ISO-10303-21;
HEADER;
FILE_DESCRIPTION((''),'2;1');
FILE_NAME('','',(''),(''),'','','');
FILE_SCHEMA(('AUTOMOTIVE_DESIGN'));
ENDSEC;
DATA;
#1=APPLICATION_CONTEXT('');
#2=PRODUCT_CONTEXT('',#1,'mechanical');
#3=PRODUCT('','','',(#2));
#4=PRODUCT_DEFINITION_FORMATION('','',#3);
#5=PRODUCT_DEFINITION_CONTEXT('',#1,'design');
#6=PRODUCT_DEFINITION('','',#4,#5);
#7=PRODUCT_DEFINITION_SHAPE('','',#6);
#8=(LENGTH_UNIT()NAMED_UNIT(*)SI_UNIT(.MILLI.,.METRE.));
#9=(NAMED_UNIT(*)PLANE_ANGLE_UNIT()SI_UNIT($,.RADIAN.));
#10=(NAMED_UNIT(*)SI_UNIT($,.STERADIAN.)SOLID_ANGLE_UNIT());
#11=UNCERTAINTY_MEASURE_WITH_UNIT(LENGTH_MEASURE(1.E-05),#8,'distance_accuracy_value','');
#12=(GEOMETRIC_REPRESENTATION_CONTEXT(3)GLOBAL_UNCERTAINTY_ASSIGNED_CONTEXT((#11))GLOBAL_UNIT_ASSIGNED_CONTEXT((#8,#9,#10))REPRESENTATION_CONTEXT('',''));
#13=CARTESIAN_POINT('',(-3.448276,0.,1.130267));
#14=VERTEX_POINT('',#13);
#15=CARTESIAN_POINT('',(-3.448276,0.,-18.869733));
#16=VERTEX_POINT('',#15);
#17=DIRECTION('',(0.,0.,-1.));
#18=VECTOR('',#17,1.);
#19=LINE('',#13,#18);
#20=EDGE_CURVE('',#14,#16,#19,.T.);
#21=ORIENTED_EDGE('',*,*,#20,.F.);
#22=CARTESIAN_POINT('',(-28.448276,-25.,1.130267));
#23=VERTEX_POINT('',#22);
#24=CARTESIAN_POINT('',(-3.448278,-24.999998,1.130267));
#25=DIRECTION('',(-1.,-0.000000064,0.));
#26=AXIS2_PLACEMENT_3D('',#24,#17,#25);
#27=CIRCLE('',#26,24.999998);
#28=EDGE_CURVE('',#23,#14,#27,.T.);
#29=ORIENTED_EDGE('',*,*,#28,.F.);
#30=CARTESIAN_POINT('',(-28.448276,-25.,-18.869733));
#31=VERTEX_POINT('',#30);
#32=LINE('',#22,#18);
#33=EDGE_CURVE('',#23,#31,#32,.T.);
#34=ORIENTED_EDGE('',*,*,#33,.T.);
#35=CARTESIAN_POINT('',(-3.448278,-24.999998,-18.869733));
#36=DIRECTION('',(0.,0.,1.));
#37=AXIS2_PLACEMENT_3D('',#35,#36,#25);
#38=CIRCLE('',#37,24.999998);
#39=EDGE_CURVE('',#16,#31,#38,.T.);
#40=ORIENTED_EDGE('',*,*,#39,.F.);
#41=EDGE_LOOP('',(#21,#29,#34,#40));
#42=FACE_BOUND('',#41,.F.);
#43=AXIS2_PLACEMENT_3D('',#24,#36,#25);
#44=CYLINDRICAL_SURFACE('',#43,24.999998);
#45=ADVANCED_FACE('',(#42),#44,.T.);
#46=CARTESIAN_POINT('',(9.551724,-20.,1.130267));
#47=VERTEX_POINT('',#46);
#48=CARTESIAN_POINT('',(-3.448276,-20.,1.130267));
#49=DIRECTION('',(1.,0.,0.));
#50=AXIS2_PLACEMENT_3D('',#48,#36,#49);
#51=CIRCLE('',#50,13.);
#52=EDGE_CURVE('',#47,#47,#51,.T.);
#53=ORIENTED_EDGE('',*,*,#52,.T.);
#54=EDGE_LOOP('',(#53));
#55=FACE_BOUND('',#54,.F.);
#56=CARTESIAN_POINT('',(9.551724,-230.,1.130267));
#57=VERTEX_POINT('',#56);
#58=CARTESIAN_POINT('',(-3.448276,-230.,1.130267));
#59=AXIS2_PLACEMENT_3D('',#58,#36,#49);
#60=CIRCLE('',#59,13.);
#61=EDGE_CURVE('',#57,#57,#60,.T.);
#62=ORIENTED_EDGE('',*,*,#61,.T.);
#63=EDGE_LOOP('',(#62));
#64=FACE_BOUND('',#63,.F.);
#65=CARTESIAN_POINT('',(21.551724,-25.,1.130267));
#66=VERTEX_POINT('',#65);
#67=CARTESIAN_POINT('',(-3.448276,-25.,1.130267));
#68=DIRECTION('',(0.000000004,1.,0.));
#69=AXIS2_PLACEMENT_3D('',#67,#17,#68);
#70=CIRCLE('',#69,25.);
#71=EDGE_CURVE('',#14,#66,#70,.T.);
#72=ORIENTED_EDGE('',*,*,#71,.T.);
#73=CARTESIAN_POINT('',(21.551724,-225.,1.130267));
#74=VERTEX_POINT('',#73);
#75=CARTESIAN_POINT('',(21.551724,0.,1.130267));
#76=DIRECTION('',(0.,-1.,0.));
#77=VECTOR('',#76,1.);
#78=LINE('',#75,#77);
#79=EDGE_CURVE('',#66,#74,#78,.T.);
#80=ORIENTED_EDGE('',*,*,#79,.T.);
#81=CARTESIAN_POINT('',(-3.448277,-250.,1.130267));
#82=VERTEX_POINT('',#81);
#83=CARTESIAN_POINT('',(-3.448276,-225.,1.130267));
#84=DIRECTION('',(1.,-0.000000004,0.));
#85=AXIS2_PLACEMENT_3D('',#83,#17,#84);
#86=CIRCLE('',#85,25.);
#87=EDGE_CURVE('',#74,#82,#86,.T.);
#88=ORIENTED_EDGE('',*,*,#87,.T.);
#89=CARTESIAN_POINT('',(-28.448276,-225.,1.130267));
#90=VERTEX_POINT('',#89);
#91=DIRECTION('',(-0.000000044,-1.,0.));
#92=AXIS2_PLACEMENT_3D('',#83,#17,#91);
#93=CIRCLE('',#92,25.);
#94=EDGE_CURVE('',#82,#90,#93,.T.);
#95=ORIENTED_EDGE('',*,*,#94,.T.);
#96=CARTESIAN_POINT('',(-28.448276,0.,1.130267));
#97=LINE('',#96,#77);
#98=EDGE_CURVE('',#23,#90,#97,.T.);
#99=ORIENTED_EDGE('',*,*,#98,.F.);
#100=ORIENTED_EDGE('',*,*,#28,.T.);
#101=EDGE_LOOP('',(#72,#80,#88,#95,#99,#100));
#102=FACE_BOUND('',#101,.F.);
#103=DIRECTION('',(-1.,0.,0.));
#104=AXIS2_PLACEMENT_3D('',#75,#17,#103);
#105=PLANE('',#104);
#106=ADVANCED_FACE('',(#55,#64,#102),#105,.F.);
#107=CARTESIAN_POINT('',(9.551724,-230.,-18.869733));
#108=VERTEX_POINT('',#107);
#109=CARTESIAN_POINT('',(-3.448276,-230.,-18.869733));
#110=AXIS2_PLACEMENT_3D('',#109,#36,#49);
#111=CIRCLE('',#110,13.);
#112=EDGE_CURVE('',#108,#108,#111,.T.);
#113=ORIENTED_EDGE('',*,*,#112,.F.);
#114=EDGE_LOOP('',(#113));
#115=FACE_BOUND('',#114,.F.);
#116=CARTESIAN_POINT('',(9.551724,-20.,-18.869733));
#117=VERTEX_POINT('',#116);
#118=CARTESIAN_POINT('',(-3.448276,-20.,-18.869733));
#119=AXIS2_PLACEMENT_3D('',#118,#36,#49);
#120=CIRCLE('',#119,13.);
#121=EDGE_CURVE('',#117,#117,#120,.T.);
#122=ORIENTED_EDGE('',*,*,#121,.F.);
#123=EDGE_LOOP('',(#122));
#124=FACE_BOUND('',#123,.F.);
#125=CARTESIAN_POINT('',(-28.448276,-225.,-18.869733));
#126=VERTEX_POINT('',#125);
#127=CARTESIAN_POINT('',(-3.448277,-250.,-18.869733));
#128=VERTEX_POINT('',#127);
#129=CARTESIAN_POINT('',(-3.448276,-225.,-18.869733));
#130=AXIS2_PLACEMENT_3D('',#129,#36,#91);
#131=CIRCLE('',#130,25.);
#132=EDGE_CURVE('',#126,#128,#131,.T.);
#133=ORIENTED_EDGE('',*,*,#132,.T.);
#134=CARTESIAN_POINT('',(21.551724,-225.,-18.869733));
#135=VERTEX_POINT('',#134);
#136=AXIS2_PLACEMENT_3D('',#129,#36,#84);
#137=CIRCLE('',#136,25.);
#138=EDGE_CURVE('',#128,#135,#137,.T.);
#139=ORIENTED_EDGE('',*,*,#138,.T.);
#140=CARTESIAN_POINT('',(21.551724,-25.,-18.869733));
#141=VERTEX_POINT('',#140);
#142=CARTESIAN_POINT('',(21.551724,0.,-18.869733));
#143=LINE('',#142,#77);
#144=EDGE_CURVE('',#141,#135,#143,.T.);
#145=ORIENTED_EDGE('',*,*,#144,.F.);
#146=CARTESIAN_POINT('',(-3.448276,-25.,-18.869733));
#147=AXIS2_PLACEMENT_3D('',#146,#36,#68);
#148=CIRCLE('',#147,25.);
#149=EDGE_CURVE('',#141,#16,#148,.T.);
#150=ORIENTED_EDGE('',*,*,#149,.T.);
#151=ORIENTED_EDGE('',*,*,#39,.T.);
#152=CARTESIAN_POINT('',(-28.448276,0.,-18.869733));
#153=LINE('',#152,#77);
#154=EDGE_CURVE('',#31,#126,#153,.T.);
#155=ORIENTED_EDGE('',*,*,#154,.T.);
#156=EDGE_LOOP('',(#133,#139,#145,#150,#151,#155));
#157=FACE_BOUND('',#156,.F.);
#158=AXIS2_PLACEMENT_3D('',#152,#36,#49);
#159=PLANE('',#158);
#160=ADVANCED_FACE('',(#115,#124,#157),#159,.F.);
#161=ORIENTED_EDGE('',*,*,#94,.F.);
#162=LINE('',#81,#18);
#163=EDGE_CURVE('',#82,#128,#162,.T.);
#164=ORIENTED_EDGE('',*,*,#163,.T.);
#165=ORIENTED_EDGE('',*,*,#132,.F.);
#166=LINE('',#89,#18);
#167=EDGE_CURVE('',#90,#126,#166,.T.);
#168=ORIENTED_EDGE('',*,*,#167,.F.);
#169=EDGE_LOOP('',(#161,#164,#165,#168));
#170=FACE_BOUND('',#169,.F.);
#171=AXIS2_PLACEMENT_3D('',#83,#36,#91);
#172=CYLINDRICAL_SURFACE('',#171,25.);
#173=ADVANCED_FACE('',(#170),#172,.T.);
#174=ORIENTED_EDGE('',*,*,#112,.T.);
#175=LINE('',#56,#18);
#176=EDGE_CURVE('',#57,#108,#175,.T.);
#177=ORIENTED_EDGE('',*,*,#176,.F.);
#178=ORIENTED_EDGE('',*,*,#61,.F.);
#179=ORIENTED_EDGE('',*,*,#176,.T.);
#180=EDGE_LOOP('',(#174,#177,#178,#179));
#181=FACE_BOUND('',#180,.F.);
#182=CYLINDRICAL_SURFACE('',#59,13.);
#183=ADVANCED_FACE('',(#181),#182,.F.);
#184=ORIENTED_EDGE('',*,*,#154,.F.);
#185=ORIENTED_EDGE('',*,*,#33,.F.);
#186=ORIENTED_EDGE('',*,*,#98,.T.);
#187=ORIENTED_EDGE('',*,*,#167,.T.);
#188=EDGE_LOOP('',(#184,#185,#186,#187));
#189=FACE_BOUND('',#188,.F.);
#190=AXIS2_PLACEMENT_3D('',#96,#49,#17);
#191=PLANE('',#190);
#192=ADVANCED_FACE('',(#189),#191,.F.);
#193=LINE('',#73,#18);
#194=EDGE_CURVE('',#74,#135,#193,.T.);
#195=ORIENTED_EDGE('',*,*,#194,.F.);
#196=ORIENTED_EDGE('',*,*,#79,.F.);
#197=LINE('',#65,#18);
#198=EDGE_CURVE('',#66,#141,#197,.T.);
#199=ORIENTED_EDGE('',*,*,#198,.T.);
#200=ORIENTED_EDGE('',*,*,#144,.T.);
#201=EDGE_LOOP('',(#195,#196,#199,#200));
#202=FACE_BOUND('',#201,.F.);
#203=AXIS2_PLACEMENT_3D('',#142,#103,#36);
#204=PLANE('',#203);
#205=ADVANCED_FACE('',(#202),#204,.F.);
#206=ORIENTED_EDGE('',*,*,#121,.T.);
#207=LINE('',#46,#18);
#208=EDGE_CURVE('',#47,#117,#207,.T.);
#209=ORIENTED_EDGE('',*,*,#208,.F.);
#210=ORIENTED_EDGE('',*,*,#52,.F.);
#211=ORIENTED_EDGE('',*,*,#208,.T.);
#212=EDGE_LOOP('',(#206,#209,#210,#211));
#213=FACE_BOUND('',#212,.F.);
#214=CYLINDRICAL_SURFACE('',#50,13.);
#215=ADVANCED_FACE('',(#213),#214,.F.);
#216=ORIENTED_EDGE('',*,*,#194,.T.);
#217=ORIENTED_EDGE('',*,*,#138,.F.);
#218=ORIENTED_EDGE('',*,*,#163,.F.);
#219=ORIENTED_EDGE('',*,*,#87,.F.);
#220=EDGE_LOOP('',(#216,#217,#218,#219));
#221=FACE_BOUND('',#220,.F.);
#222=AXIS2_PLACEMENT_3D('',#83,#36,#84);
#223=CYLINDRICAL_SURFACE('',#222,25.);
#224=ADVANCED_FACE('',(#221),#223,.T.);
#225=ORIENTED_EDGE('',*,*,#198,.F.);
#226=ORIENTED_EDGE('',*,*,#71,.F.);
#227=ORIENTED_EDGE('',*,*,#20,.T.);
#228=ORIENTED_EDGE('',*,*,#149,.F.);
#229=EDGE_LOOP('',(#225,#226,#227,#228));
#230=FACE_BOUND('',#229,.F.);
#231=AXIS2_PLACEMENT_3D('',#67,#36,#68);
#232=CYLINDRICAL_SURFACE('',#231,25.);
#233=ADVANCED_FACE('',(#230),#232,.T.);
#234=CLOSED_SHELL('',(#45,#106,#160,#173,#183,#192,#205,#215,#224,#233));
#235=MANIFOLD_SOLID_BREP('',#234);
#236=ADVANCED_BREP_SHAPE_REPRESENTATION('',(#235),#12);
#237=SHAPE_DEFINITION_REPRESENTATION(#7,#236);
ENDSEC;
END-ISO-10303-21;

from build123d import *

# Parameters (mm, degrees)
F1_DEPTH = 250
F3_DEPTH = 25
F4_R     = 13
F5_DEPTH = 25


with BuildPart() as f1:
    # F0 (on Front) → F1 (new body)
    with BuildSketch(Plane.XZ):
        Polygon((-28.448276, 1.130267), (-28.448276, 0), (-28.448276, -18.869733), (21.551724, -18.869733), (21.551724, 1.130267), align=None)
    extrude(amount=F1_DEPTH)

    # F2 (on face) → F3 (cut)
    with BuildSketch(Plane.XY.offset(1.130267)):
        with BuildLine():
            Line((21.551724, 0), (-3.448276, 0))
            ThreePointArc((-3.448276, 0), (14.229393, -7.32233), (21.551724, -25))
            Line((21.551724, -25), (21.551724, 0))
        make_face()
        with BuildLine():
            Line((-28.448276, 0), (-28.448276, -25))
            ThreePointArc((-28.448276, -25), (-21.125946, -7.32233), (-3.448276, 0))
            Line((-3.448276, 0), (-28.448276, 0))
        make_face()
        with BuildLine():
            ThreePointArc((21.551724, -225), (14.229393, -242.67767), (-3.448277, -250))
            Line((-3.448277, -250), (21.551724, -250))
            Line((21.551724, -250), (21.551724, -225))
        make_face()
        with BuildLine():
            ThreePointArc((-3.448277, -250), (-21.125946, -242.677669), (-28.448276, -225))
            Line((-28.448276, -225), (-28.448276, -250))
            Line((-28.448276, -250), (-3.448277, -250))
        make_face()
    extrude(amount=-F3_DEPTH, mode=Mode.SUBTRACT)

    # F4 (on face) → F5 (cut)
    with BuildSketch(Plane.XY.offset(1.130267)):
        with Locations((-3.448276, -20)):
            Circle(F4_R)
        with Locations((-3.448276, -230)):
            Circle(F4_R)
    extrude(amount=-F5_DEPTH, mode=Mode.SUBTRACT)


solid = f1.part
